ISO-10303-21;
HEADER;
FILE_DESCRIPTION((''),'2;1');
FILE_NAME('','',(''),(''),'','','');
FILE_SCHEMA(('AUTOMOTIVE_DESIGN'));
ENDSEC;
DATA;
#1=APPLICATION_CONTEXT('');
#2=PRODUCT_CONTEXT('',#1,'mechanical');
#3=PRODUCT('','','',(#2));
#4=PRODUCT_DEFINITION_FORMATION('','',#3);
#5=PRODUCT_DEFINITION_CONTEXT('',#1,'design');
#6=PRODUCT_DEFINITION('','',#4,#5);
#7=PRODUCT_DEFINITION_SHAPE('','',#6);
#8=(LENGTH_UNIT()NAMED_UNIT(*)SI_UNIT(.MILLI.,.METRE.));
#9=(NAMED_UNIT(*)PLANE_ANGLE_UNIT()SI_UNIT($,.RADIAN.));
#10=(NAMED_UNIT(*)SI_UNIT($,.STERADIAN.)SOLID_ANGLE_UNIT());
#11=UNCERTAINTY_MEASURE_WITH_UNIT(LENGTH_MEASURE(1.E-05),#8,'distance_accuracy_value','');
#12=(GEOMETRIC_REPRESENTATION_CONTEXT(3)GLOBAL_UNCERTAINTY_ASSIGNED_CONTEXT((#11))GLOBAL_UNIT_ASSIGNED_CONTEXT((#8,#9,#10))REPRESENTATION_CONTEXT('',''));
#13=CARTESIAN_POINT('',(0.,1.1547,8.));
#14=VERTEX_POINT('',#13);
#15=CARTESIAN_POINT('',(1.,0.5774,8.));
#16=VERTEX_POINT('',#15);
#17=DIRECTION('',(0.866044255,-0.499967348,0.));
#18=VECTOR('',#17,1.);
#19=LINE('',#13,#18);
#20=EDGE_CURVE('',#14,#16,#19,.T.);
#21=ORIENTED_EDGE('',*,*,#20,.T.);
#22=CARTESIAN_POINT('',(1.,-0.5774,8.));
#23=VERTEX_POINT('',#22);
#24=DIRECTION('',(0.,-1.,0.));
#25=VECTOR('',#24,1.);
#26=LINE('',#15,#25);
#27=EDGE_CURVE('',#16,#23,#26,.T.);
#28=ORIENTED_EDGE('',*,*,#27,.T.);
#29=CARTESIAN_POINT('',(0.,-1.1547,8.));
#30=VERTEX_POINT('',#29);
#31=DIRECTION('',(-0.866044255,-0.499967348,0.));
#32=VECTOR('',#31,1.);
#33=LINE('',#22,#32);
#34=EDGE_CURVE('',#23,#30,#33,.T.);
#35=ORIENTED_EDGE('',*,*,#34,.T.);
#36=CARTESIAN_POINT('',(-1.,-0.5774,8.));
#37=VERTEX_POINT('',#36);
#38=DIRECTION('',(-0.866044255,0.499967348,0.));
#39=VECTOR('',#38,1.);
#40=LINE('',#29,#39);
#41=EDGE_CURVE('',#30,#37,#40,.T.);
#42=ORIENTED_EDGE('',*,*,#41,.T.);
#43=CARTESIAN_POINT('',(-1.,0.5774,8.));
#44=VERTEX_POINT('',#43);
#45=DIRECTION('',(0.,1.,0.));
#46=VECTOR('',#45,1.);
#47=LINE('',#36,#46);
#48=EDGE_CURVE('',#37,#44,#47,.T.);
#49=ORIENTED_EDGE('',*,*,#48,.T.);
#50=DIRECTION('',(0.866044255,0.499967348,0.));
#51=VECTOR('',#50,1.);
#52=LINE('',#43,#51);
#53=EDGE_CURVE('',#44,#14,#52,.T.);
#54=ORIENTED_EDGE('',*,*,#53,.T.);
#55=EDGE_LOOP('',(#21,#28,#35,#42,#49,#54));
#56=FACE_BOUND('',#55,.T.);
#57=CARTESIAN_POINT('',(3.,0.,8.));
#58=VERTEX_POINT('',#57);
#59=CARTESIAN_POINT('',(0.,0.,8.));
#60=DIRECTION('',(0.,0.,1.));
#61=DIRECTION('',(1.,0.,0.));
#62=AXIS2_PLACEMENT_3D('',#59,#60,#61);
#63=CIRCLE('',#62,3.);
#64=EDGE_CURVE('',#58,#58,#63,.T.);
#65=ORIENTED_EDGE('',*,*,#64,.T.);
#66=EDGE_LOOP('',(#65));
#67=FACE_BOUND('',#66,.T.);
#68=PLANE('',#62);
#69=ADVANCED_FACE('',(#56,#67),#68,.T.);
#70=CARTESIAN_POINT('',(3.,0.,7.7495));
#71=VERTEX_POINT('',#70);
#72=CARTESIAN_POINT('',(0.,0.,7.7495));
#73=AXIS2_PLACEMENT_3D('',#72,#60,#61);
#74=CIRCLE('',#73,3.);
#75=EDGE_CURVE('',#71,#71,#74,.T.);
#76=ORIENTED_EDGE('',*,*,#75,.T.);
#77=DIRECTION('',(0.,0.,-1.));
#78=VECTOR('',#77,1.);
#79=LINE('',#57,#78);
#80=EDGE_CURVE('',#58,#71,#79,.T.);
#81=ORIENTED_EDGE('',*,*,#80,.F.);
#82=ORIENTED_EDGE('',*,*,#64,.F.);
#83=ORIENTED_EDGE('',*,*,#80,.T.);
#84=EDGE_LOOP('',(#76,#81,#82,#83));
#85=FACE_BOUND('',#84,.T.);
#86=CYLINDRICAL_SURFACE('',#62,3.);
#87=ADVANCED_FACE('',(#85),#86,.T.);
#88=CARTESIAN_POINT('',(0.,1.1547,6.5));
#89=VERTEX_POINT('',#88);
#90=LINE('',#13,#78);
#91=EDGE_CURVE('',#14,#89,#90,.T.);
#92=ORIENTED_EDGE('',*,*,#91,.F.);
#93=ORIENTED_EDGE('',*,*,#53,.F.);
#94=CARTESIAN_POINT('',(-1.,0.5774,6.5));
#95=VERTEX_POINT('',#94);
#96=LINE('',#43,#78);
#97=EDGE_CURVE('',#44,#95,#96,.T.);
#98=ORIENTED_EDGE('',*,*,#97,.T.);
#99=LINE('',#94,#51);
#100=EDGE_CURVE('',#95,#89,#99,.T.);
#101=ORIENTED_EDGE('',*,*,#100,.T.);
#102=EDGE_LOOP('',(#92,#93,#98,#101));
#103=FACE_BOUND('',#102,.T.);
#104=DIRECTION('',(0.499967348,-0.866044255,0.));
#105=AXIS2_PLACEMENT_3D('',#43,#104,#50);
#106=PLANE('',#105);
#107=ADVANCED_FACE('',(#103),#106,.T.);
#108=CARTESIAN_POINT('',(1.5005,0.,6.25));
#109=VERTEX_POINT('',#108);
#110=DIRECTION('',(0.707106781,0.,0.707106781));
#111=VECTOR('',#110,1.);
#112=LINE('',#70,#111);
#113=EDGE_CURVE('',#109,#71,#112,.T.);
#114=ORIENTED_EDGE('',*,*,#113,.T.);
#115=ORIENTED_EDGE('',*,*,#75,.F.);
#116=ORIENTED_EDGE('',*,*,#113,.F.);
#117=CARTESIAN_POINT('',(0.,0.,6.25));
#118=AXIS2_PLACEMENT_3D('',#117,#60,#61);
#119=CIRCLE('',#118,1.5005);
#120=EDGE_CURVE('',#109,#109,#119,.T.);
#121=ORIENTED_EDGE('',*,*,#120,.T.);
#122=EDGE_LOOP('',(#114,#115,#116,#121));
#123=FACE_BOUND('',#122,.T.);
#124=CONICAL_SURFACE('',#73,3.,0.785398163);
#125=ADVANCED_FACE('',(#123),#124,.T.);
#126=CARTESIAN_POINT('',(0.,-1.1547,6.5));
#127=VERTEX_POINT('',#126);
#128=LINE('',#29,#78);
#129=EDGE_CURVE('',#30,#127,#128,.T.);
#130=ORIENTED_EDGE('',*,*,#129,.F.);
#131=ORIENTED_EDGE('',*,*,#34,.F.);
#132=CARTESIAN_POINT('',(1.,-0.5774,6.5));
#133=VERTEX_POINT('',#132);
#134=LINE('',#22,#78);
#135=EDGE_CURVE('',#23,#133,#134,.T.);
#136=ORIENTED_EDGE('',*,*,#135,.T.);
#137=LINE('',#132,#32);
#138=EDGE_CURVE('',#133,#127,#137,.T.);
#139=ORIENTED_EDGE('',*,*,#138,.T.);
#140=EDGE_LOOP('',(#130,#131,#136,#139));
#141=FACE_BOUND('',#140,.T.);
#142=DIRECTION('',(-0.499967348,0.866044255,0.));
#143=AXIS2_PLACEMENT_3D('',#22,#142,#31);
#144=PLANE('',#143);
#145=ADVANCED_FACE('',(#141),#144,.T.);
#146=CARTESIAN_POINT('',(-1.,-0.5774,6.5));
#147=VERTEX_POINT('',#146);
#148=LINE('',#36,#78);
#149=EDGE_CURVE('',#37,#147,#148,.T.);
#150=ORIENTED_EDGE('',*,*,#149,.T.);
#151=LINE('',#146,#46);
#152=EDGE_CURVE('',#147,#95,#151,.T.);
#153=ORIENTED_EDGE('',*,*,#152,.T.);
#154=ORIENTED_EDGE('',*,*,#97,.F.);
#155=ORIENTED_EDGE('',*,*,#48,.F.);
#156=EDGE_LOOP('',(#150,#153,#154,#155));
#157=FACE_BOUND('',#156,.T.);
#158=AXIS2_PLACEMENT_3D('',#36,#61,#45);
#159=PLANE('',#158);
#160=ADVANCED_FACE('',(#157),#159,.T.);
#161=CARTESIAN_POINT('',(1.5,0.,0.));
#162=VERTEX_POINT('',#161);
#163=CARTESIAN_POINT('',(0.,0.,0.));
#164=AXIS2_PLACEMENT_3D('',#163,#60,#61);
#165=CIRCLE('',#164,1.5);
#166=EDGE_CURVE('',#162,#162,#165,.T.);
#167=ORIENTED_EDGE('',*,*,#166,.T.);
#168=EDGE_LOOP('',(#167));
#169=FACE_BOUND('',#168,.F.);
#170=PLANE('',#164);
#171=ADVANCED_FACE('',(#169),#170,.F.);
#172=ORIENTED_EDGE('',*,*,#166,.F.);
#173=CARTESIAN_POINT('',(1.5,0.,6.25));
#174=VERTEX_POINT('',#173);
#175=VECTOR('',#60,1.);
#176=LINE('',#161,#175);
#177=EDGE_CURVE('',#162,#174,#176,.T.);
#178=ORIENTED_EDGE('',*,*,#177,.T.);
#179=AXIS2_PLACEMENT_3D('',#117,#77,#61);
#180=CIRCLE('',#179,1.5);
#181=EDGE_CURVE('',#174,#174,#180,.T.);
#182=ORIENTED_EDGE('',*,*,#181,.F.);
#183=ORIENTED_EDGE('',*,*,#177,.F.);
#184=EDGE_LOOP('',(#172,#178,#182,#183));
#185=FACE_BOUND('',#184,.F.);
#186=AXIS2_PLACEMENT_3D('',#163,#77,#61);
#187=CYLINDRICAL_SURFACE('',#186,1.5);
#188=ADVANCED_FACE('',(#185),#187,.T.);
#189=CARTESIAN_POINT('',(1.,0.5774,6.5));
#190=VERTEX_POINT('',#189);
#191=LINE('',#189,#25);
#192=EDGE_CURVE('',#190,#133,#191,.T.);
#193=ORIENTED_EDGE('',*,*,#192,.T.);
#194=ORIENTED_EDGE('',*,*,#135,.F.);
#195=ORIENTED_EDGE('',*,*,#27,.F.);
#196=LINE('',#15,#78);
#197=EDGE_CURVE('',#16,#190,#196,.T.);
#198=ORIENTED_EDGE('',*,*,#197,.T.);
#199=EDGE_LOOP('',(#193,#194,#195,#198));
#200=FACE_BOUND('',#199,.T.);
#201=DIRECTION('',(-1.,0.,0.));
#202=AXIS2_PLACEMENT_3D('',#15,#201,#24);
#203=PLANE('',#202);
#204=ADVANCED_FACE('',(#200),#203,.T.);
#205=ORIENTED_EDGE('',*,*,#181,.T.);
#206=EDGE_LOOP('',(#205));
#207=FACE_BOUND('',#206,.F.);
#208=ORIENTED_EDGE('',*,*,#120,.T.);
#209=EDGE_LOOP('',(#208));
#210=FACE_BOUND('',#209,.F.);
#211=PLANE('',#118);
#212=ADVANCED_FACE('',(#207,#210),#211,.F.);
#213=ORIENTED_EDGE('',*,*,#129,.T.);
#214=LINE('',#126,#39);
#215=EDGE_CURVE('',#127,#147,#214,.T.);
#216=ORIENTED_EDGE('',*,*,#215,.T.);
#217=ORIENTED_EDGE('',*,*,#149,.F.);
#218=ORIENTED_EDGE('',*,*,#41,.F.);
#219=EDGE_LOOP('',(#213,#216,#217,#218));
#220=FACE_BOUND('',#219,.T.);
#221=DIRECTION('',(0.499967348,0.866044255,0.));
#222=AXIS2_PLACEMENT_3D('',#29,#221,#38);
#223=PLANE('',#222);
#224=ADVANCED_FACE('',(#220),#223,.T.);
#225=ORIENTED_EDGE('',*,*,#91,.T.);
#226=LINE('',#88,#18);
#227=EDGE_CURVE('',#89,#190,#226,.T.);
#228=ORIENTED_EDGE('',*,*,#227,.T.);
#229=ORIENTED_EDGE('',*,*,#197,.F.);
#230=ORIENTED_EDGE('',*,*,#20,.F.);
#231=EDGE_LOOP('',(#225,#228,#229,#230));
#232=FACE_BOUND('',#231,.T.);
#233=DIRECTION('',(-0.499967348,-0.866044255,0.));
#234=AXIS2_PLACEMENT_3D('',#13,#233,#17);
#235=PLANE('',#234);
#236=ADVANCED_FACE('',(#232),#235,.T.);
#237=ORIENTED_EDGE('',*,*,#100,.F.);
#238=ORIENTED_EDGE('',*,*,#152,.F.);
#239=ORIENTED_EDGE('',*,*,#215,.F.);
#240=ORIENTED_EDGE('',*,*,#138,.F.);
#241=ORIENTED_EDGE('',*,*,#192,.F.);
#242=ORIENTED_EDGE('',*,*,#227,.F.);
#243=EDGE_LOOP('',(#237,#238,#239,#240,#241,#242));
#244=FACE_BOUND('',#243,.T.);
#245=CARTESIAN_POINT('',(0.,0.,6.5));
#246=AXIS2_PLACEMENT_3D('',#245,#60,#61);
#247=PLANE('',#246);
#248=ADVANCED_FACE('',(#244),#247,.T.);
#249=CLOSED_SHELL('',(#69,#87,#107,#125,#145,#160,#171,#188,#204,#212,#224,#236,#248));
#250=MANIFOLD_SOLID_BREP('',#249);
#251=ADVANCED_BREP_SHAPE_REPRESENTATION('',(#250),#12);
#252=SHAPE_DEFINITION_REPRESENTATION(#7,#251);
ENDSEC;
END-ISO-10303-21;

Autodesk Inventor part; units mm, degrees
ref_plane "YZ Plane" through (0, 0, 0) normal (1, 0, 0) x (0, 1, 0)
ref_plane "XZ Plane" through (0, 0, 0) normal (0, 1, 0) x (-1, 0, 0)
ref_plane "XY Plane" through (0, 0, 0) normal (0, 0, 1) x (1, 0, 0)
sketch "スケッチ1" plane through (0, 0, 0) normal (0, 0, 1) x (1, 0, 0)
  circle A0 centre (0, 0) radius 1.5
  dimension "d0" = 3
extrude "押し出し1" add sketch "スケッチ1" along normal blind 8
thread "ねじ1" size "M3x0.5" class "6g" standard "ANSI Metric M Profile" full length
sketch "スケッチ2" plane through (0, 0, 8) normal (0, 0, 1) x (1, 0, 0)
  circle A0 centre (0, 0) radius 3
  dimension "d5" = 6
extrude "押し出し2" add sketch "スケッチ2" against normal blind 1.75
chamfer "面取り1" distance 1.5 angle 45 1 edges at (-3, 0, 6.25)
sketch "スケッチ3" plane through (0, 0, 8) normal (0, 0, 1) x (1, 0, 0)
  line L0 (0, 1.1547) -> (1, 0.5774)
  line L1 (1, 0.5774) -> (1, -0.5774)
  line L2 (1, -0.5774) -> (0, -1.1547)
  line L3 (0, -1.1547) -> (-1, -0.5774)
  line L4 (-1, -0.5774) -> (-1, 0.5774)
  line L5 (-1, 0.5774) -> (0, 1.1547)
  point P0 (0, 0)
  point P1 (0, 0)
  dimension "d11" = 2
extrude "押し出し3" cut sketch "スケッチ3" against normal blind 1.5
properties part number "m3皿ネジ8" material "鉄 灰色"
